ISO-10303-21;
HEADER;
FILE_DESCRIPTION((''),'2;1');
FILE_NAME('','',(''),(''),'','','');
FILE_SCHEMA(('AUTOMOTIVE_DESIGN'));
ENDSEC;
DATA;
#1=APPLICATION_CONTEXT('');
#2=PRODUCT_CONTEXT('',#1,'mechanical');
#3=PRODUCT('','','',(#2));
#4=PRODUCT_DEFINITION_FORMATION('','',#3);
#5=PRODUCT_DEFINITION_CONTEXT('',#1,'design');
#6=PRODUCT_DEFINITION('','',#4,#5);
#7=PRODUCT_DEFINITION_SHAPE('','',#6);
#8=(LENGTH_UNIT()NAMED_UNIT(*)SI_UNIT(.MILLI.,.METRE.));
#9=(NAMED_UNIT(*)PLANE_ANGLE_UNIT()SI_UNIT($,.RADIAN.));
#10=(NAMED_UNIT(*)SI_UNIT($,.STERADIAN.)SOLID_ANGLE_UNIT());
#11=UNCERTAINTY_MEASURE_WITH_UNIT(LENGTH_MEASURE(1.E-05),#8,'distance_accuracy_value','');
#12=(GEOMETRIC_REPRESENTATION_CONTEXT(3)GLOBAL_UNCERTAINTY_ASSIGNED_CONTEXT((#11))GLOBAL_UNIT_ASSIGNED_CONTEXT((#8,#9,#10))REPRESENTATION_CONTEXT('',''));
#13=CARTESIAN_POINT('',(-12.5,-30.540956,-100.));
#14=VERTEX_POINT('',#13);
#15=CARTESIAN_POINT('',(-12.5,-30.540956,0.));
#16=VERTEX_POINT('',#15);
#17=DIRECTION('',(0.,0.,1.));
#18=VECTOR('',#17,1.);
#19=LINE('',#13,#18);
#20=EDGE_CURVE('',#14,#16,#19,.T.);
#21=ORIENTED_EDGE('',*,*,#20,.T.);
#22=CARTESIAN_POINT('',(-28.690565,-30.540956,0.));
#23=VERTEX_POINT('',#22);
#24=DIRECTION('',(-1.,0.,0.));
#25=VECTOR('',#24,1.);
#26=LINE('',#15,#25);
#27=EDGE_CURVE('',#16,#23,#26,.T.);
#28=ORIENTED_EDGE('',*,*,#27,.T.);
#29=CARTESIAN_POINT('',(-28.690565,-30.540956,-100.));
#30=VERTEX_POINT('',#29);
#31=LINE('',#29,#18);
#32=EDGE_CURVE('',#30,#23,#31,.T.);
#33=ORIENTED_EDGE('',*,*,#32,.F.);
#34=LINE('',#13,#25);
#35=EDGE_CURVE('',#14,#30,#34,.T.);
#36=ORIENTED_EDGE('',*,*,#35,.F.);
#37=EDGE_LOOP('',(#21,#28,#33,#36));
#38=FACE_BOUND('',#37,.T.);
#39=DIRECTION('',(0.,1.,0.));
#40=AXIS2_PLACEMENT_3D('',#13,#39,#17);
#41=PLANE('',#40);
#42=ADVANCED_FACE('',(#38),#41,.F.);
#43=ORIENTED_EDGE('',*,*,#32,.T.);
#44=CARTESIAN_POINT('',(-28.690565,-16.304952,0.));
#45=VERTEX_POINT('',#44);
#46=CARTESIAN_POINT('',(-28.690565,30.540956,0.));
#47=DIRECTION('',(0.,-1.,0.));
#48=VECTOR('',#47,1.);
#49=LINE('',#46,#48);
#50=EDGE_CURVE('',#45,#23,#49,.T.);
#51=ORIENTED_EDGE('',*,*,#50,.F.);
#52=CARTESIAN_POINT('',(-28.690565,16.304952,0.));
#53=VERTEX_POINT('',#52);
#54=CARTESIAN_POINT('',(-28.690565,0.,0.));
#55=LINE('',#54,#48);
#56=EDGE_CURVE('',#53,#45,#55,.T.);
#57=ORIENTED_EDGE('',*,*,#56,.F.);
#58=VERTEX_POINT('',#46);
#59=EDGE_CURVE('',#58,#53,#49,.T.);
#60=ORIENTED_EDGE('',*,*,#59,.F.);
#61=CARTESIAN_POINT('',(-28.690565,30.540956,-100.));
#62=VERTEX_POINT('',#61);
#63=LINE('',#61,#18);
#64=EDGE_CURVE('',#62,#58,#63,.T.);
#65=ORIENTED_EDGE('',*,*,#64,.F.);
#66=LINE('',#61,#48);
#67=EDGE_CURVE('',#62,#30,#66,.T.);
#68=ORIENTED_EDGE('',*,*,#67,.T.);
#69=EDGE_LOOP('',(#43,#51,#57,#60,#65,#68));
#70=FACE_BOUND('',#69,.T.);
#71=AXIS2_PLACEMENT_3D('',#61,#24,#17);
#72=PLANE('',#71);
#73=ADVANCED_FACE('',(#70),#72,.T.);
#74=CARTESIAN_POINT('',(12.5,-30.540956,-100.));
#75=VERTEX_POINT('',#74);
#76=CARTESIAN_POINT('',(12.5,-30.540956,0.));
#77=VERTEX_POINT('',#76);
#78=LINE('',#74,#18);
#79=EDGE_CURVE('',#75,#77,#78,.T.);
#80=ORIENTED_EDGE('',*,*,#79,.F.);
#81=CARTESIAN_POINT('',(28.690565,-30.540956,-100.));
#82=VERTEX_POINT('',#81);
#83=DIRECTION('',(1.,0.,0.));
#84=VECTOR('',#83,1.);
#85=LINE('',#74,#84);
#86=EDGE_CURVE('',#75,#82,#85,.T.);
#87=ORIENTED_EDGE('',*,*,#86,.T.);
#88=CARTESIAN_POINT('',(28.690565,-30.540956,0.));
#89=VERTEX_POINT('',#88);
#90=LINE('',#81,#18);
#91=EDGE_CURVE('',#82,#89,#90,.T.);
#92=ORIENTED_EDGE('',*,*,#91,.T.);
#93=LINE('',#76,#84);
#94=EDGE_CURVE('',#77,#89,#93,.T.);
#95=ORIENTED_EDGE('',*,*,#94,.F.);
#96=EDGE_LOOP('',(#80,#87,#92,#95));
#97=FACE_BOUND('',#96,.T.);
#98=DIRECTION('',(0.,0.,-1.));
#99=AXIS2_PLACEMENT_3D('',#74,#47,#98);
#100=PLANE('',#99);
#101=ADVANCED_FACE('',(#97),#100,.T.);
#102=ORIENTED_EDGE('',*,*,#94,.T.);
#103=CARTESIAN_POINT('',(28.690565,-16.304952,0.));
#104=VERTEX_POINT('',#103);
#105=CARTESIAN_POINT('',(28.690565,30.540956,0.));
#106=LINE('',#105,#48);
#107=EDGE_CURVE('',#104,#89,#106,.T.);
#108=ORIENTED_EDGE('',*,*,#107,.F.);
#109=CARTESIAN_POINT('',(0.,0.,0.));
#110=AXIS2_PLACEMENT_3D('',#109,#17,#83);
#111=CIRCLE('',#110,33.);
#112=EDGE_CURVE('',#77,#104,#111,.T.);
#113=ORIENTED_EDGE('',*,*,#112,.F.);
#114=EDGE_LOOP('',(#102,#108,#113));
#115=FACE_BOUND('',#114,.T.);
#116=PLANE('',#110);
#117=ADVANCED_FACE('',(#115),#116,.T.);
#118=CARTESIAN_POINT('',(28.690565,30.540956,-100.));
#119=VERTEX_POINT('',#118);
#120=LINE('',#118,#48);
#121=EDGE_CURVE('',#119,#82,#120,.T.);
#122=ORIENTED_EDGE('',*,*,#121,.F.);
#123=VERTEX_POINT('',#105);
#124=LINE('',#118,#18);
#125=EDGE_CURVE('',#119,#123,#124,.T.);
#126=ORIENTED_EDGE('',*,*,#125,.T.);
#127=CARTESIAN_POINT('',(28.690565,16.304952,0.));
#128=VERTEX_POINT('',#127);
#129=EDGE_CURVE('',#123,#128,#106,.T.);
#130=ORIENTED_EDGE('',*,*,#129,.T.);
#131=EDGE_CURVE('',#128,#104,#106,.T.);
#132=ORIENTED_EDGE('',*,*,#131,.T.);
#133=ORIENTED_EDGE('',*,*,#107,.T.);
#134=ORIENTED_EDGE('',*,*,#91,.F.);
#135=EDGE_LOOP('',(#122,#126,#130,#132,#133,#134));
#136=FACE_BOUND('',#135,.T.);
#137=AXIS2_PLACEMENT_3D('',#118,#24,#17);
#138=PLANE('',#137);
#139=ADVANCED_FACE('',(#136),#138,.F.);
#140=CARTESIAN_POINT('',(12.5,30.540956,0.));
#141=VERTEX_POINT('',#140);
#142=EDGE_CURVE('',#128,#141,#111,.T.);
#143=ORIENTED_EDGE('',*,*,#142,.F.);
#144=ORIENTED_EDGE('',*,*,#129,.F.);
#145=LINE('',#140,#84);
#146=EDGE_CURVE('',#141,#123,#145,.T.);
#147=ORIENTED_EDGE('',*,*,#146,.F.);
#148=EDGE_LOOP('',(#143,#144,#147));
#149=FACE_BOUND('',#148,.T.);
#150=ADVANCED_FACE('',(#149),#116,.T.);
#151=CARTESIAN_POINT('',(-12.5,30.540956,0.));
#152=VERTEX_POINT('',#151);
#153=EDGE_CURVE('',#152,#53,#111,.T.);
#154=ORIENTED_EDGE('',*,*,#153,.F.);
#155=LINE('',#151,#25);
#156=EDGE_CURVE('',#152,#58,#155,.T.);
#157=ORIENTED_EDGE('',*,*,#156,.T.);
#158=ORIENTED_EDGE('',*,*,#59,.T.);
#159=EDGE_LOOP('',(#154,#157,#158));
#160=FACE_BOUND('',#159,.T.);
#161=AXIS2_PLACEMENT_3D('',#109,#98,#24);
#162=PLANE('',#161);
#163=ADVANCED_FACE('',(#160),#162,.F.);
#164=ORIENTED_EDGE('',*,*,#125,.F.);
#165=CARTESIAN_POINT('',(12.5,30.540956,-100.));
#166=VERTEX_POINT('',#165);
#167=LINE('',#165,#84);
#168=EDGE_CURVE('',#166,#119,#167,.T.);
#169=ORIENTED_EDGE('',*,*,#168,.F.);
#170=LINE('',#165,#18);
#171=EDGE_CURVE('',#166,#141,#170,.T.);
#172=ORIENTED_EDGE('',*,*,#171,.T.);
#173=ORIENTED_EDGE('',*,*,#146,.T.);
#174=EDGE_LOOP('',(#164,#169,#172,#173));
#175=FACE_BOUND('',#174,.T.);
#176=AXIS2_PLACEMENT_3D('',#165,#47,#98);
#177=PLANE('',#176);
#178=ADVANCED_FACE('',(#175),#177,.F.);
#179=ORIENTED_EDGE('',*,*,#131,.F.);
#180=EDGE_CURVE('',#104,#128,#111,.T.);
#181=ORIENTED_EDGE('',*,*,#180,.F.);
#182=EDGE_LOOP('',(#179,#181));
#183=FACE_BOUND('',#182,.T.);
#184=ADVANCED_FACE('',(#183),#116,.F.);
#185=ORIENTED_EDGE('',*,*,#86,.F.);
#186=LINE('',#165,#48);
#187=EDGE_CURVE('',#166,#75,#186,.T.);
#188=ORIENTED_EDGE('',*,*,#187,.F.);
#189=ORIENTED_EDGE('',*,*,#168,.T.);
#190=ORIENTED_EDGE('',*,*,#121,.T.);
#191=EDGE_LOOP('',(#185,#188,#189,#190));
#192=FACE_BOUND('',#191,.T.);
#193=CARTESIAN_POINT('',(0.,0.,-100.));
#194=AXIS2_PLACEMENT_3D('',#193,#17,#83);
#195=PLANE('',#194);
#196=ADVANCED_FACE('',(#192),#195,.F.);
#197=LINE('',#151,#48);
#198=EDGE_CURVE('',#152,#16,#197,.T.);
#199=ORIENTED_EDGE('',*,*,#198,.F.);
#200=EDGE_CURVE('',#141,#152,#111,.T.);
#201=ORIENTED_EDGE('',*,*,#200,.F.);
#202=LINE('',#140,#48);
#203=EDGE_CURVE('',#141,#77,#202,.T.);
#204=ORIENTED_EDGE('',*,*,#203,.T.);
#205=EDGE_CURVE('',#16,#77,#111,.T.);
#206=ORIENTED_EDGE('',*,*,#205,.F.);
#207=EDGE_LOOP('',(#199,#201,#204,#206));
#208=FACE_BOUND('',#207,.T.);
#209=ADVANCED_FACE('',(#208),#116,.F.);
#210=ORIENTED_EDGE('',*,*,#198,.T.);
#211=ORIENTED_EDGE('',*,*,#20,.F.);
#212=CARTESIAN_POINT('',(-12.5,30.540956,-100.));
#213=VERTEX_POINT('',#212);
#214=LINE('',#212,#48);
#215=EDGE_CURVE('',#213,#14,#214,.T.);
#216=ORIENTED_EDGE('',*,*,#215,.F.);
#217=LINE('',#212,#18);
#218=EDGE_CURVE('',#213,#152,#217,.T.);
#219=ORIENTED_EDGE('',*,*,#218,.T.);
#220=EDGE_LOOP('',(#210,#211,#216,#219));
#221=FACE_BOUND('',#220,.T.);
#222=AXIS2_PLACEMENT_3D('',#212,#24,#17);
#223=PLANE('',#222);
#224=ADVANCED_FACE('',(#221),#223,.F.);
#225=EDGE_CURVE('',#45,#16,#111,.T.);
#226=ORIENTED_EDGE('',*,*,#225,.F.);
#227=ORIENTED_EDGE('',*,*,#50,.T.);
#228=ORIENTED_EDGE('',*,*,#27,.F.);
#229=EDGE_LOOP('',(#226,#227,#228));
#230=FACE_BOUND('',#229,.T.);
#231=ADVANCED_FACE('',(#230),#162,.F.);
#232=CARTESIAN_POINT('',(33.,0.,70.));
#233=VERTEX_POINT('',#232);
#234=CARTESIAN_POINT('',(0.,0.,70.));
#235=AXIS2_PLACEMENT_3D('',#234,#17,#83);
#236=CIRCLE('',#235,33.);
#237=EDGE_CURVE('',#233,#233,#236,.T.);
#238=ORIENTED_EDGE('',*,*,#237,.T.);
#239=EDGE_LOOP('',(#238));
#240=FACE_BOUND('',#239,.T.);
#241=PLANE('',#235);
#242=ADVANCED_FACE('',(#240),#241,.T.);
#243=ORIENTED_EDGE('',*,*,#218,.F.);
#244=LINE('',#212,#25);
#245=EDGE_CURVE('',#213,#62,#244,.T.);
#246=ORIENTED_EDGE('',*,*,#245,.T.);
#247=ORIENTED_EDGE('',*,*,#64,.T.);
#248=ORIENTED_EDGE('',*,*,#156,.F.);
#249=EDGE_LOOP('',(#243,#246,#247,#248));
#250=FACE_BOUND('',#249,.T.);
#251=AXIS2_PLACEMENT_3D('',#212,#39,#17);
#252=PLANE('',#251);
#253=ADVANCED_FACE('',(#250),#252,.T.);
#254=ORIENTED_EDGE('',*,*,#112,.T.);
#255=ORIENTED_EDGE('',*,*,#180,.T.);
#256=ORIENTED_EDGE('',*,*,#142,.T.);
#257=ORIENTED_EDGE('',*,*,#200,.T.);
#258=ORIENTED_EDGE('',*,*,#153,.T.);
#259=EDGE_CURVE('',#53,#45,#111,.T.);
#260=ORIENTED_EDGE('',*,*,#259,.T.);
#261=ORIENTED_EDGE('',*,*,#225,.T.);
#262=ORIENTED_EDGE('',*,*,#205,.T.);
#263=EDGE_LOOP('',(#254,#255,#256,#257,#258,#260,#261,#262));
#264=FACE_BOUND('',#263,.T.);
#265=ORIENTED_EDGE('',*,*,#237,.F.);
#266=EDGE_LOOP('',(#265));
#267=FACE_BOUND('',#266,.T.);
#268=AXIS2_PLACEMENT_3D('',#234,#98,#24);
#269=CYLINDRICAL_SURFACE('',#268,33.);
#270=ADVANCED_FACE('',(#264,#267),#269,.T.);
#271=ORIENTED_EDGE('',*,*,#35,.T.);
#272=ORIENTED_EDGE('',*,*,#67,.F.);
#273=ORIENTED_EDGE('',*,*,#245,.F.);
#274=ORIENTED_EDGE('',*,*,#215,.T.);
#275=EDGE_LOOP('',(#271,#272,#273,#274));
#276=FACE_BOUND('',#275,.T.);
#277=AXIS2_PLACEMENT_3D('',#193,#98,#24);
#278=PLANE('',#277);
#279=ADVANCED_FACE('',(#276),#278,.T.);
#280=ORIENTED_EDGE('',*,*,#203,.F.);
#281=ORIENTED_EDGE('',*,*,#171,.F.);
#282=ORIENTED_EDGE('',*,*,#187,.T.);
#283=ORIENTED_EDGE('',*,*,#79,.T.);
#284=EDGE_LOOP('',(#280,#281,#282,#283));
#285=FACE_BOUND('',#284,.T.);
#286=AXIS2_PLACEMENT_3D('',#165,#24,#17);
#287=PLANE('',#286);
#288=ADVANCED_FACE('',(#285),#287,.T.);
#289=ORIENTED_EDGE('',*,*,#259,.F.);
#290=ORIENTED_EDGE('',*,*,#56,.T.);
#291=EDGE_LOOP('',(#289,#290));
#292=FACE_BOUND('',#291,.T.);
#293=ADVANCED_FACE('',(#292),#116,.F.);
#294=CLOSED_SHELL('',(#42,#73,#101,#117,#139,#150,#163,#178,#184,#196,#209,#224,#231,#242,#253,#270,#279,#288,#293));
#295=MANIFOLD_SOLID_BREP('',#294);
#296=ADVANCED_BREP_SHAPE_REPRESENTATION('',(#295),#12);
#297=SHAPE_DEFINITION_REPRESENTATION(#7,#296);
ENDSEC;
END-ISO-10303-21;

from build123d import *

# Parameters (mm, degrees)
SKETCH_1_R      = 33
EXTRUDE_1_DEPTH = 70
SKETCH_2_W      = 16.190565304
SKETCH_2_H      = 61.081912216
EXTRUDE_3_DEPTH = 100


with BuildPart() as part:
    # 草图1 → 凸台-拉伸1 (new body)
    with BuildSketch(Plane.XY):
        Circle(SKETCH_1_R)
    extrude(amount=EXTRUDE_1_DEPTH)

    # 草图2 → 凸台-拉伸3 (add)
    with BuildSketch(Plane(origin=(0, 0, 0), x_dir=(-1, 0, 0), z_dir=(0, 0, -1))):
        with Locations((-20.595282652, 0)):
            Rectangle(SKETCH_2_W, SKETCH_2_H)
        with Locations((20.595282652, 0)):
            Rectangle(SKETCH_2_W, SKETCH_2_H)
    extrude(amount=EXTRUDE_3_DEPTH)


solid = part.part
